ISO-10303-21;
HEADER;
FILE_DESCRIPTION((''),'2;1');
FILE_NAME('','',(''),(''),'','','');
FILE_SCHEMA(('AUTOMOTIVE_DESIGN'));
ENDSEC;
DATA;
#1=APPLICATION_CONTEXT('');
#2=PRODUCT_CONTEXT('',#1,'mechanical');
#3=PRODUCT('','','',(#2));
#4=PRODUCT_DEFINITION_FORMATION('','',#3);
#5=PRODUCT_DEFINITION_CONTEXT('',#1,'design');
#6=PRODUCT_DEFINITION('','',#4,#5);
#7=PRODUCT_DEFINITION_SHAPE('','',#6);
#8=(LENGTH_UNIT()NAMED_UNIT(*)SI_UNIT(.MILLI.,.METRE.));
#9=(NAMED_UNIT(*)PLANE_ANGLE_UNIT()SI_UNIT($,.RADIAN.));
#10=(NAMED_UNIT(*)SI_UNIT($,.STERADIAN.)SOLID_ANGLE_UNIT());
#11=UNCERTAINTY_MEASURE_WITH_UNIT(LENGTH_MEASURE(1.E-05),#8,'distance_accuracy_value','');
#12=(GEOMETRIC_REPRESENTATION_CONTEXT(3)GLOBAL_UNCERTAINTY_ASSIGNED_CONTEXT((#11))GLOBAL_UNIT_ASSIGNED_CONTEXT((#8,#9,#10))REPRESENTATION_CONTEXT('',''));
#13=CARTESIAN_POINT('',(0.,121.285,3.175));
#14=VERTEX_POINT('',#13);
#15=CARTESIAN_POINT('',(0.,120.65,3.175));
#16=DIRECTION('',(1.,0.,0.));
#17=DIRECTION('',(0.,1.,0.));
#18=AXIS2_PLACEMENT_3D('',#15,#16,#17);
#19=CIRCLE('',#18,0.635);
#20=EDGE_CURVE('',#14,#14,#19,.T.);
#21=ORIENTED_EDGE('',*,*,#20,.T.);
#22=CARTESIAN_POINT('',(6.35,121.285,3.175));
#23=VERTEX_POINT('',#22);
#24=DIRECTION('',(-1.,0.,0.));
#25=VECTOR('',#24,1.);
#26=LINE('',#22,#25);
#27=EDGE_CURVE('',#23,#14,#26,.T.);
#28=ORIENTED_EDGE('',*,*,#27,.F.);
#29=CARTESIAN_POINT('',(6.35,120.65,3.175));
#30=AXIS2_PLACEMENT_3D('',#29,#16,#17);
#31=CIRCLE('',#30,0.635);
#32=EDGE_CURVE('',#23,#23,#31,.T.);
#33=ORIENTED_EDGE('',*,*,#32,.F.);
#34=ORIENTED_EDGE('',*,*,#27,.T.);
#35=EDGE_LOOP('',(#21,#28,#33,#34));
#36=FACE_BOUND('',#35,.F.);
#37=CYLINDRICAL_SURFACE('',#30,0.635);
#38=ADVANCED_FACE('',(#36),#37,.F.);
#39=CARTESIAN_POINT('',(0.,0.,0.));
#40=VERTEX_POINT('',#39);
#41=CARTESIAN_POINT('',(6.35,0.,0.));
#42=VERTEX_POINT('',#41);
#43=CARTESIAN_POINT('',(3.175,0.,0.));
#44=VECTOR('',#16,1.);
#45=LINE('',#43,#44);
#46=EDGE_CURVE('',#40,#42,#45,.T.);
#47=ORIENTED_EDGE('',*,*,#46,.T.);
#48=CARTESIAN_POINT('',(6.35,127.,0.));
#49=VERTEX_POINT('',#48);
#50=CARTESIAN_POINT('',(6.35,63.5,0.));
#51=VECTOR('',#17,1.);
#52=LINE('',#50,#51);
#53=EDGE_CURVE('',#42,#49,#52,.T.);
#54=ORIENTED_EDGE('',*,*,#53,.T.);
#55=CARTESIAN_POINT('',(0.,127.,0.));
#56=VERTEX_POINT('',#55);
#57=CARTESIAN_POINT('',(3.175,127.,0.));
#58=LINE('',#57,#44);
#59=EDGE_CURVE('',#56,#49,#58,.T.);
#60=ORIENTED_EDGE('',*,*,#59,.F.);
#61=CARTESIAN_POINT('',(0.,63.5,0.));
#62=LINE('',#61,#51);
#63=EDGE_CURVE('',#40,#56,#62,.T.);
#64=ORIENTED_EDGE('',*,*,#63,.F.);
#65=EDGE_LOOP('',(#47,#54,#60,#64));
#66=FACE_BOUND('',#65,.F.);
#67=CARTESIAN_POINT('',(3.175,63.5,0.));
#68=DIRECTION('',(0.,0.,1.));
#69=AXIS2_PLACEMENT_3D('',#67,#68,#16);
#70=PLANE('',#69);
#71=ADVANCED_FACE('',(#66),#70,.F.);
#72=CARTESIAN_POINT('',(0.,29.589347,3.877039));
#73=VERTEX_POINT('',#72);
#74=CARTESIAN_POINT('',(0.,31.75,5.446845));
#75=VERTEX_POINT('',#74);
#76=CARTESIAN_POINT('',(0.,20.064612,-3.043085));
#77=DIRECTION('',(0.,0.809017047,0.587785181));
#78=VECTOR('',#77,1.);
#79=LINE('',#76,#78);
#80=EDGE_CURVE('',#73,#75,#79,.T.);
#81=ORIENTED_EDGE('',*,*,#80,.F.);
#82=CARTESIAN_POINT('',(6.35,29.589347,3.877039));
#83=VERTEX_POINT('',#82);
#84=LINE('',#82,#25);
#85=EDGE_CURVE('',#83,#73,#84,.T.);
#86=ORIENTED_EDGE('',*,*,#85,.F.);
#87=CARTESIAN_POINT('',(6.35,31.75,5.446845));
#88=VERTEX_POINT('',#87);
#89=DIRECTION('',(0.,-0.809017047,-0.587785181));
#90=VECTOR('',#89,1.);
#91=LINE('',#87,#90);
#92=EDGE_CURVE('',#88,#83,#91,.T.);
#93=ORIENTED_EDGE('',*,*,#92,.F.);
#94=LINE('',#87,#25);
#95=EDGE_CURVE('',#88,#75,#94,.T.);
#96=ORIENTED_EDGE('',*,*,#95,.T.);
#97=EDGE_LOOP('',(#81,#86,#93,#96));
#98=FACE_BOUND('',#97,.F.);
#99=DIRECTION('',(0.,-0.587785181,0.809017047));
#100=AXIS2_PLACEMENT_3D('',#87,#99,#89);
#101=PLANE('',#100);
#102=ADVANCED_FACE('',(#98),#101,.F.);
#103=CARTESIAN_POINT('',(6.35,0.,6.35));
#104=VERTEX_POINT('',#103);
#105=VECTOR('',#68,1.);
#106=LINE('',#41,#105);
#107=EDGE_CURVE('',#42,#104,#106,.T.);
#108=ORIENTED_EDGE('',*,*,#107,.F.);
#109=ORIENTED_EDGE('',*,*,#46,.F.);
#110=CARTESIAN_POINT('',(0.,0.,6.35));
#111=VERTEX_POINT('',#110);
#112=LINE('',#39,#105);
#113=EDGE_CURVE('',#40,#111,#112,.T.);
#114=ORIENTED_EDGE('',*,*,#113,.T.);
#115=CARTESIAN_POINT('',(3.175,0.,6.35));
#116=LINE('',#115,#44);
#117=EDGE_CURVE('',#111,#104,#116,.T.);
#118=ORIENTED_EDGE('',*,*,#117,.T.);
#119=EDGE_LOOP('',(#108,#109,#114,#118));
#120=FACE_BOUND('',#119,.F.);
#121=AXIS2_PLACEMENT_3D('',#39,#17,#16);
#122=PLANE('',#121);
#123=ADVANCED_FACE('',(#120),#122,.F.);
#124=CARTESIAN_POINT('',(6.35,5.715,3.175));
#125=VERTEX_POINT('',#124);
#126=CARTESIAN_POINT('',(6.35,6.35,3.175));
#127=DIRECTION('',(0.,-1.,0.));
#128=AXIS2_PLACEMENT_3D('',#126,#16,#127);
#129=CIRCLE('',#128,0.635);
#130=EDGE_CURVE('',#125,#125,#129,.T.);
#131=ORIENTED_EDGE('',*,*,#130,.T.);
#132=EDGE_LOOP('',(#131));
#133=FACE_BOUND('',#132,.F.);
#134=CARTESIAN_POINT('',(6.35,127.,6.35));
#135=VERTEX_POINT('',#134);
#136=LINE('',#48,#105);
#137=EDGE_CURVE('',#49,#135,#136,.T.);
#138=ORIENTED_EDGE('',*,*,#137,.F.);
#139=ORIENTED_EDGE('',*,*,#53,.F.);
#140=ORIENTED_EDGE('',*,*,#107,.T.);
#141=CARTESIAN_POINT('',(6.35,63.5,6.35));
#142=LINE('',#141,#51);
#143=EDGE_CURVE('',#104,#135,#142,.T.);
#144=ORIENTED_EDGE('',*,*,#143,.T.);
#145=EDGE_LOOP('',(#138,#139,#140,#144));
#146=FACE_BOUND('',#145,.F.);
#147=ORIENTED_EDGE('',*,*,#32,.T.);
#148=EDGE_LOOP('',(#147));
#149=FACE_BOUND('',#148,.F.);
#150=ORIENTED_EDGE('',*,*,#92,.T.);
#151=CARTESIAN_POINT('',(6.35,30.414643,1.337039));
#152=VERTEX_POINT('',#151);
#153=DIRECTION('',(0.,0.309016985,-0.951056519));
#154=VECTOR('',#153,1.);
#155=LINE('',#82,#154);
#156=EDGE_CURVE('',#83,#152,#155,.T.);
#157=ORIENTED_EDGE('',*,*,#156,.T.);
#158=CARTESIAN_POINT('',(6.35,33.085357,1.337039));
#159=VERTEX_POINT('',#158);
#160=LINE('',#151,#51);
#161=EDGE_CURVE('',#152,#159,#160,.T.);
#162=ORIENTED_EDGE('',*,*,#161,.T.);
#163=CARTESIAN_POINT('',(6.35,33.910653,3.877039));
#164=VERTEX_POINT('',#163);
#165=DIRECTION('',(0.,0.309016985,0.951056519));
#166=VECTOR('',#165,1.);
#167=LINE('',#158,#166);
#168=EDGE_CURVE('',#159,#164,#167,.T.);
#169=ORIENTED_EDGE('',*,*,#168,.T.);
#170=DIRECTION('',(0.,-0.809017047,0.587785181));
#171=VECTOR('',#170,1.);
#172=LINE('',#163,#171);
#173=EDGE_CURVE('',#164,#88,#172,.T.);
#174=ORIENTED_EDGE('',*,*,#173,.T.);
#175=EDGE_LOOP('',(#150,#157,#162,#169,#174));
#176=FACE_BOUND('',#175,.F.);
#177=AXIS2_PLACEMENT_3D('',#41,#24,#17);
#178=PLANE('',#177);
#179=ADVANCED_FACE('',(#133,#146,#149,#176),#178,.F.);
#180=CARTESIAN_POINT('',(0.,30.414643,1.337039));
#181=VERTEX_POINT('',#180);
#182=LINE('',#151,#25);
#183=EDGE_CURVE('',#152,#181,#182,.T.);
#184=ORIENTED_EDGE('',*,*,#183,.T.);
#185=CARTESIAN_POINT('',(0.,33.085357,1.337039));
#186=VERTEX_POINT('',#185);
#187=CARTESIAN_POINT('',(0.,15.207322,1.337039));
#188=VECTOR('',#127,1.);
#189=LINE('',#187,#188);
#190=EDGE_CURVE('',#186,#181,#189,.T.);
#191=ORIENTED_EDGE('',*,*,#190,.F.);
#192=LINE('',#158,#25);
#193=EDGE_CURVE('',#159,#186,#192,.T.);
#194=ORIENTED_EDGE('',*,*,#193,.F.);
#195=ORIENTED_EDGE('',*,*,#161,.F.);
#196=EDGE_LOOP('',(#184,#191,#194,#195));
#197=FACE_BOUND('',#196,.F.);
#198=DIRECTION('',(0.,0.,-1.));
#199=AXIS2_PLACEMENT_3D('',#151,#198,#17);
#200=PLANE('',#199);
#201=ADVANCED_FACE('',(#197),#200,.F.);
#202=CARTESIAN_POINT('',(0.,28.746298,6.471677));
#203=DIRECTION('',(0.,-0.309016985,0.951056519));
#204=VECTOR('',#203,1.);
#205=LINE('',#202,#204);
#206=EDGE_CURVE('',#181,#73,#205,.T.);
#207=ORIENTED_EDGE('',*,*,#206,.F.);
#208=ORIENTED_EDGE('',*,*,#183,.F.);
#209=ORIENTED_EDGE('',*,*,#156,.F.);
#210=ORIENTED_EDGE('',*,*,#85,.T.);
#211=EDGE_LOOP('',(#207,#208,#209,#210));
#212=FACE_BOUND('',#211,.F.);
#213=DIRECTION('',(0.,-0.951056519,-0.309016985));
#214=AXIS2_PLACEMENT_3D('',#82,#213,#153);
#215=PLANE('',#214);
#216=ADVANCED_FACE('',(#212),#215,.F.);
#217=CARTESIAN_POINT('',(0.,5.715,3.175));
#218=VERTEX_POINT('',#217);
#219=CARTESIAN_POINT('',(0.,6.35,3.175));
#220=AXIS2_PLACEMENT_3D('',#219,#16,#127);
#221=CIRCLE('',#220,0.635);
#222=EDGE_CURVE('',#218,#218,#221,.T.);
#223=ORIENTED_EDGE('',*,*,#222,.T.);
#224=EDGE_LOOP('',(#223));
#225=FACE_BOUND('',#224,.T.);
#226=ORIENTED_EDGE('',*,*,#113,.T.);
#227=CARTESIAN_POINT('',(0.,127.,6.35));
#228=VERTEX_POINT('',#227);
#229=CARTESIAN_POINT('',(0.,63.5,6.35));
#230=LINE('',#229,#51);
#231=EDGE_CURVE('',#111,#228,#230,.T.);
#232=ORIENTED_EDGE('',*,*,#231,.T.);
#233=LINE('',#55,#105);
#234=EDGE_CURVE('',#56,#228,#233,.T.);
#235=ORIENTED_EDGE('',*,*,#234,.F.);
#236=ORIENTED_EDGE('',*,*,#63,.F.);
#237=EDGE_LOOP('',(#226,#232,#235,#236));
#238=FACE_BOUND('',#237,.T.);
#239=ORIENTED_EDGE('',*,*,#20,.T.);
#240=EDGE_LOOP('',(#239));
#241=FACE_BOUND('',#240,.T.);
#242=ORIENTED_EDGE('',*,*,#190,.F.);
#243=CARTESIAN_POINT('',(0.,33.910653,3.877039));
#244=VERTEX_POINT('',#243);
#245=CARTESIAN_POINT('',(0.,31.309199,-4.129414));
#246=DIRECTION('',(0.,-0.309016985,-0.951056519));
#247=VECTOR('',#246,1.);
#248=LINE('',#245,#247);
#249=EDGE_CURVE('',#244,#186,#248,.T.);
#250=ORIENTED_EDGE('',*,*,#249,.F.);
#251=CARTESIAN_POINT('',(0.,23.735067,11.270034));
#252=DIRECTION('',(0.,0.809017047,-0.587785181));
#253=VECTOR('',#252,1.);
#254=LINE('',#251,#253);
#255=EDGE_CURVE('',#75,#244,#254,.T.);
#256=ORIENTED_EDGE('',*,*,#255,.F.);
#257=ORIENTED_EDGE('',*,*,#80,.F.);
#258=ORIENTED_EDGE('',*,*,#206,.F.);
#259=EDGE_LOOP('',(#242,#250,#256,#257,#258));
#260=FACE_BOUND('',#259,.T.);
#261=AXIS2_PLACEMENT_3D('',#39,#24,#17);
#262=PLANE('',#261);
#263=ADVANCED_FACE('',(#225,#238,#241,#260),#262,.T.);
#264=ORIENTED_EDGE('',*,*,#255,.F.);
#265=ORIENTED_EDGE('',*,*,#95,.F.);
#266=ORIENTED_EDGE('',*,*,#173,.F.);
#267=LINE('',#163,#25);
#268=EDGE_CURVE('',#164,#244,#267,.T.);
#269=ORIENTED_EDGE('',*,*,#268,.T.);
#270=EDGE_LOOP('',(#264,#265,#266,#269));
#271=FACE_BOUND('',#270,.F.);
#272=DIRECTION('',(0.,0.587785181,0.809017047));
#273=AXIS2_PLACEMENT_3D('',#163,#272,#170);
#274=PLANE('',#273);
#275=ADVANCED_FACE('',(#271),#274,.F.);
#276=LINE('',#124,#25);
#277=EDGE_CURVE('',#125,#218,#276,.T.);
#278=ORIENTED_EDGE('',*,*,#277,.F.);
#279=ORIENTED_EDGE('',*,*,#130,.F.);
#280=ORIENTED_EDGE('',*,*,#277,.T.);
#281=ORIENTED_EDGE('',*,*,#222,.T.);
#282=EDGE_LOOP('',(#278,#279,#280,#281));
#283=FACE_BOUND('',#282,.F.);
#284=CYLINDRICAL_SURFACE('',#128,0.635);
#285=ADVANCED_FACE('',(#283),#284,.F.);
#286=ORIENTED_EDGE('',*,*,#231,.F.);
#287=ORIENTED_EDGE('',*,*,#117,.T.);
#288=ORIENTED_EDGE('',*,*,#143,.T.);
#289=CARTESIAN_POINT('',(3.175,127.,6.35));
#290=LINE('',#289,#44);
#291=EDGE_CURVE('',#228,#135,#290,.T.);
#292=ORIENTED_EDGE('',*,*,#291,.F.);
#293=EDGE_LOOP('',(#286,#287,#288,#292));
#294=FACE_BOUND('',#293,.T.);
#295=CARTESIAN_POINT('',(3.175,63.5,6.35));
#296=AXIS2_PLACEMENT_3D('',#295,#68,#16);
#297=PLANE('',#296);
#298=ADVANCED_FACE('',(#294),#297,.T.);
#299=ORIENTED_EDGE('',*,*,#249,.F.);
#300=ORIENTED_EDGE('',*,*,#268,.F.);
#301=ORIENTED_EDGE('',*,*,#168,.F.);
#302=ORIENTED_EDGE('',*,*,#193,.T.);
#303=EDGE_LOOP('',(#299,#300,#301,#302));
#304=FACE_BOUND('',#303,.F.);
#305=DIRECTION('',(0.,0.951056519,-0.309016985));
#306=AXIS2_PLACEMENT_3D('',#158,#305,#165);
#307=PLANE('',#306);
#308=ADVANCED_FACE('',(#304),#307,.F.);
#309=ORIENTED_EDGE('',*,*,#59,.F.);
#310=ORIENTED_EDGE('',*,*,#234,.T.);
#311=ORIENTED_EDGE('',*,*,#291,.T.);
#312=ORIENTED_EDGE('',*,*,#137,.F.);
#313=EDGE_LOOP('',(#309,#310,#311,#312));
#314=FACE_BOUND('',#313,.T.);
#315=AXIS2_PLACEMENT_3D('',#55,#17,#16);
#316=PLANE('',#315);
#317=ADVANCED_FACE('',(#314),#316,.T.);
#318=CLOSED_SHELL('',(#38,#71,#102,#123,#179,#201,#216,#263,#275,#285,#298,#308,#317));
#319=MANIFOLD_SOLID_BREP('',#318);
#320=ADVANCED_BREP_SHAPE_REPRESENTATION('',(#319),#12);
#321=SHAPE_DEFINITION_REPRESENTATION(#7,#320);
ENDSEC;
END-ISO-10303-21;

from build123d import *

# Parameters (mm, degrees)
F0_W     = 6.35
F0_H     = 127
F1_DEPTH = 6.35
F2_R     = 0.635
F3_DEPTH = 6.351


with BuildPart() as f1:
    # F0 (on Top) → F1 (new body)
    with BuildSketch(Plane.XY):
        with Locations((3.175, 63.5)):
            Rectangle(F0_W, F0_H)
    extrude(amount=F1_DEPTH)

    # F2 (on face) → F3 (cut, through all)
    with BuildSketch(Plane.YZ.offset(6.35)):
        with BuildLine():
            ThreePointArc((6.985, 3.175), (6.35, 3.81), (5.715, 3.175))
            ThreePointArc((5.715, 3.175), (6.35, 2.54), (6.985, 3.175))
        make_face()
        Polygon((33.085357, 1.337039), (33.910653, 3.877039), (31.75, 5.446845), (29.589347, 3.877039), (30.414643, 1.337039), align=None)
        with Locations((120.65, 3.175)):
            Circle(F2_R)
    extrude(amount=-F3_DEPTH, mode=Mode.SUBTRACT)


solid = f1.part
